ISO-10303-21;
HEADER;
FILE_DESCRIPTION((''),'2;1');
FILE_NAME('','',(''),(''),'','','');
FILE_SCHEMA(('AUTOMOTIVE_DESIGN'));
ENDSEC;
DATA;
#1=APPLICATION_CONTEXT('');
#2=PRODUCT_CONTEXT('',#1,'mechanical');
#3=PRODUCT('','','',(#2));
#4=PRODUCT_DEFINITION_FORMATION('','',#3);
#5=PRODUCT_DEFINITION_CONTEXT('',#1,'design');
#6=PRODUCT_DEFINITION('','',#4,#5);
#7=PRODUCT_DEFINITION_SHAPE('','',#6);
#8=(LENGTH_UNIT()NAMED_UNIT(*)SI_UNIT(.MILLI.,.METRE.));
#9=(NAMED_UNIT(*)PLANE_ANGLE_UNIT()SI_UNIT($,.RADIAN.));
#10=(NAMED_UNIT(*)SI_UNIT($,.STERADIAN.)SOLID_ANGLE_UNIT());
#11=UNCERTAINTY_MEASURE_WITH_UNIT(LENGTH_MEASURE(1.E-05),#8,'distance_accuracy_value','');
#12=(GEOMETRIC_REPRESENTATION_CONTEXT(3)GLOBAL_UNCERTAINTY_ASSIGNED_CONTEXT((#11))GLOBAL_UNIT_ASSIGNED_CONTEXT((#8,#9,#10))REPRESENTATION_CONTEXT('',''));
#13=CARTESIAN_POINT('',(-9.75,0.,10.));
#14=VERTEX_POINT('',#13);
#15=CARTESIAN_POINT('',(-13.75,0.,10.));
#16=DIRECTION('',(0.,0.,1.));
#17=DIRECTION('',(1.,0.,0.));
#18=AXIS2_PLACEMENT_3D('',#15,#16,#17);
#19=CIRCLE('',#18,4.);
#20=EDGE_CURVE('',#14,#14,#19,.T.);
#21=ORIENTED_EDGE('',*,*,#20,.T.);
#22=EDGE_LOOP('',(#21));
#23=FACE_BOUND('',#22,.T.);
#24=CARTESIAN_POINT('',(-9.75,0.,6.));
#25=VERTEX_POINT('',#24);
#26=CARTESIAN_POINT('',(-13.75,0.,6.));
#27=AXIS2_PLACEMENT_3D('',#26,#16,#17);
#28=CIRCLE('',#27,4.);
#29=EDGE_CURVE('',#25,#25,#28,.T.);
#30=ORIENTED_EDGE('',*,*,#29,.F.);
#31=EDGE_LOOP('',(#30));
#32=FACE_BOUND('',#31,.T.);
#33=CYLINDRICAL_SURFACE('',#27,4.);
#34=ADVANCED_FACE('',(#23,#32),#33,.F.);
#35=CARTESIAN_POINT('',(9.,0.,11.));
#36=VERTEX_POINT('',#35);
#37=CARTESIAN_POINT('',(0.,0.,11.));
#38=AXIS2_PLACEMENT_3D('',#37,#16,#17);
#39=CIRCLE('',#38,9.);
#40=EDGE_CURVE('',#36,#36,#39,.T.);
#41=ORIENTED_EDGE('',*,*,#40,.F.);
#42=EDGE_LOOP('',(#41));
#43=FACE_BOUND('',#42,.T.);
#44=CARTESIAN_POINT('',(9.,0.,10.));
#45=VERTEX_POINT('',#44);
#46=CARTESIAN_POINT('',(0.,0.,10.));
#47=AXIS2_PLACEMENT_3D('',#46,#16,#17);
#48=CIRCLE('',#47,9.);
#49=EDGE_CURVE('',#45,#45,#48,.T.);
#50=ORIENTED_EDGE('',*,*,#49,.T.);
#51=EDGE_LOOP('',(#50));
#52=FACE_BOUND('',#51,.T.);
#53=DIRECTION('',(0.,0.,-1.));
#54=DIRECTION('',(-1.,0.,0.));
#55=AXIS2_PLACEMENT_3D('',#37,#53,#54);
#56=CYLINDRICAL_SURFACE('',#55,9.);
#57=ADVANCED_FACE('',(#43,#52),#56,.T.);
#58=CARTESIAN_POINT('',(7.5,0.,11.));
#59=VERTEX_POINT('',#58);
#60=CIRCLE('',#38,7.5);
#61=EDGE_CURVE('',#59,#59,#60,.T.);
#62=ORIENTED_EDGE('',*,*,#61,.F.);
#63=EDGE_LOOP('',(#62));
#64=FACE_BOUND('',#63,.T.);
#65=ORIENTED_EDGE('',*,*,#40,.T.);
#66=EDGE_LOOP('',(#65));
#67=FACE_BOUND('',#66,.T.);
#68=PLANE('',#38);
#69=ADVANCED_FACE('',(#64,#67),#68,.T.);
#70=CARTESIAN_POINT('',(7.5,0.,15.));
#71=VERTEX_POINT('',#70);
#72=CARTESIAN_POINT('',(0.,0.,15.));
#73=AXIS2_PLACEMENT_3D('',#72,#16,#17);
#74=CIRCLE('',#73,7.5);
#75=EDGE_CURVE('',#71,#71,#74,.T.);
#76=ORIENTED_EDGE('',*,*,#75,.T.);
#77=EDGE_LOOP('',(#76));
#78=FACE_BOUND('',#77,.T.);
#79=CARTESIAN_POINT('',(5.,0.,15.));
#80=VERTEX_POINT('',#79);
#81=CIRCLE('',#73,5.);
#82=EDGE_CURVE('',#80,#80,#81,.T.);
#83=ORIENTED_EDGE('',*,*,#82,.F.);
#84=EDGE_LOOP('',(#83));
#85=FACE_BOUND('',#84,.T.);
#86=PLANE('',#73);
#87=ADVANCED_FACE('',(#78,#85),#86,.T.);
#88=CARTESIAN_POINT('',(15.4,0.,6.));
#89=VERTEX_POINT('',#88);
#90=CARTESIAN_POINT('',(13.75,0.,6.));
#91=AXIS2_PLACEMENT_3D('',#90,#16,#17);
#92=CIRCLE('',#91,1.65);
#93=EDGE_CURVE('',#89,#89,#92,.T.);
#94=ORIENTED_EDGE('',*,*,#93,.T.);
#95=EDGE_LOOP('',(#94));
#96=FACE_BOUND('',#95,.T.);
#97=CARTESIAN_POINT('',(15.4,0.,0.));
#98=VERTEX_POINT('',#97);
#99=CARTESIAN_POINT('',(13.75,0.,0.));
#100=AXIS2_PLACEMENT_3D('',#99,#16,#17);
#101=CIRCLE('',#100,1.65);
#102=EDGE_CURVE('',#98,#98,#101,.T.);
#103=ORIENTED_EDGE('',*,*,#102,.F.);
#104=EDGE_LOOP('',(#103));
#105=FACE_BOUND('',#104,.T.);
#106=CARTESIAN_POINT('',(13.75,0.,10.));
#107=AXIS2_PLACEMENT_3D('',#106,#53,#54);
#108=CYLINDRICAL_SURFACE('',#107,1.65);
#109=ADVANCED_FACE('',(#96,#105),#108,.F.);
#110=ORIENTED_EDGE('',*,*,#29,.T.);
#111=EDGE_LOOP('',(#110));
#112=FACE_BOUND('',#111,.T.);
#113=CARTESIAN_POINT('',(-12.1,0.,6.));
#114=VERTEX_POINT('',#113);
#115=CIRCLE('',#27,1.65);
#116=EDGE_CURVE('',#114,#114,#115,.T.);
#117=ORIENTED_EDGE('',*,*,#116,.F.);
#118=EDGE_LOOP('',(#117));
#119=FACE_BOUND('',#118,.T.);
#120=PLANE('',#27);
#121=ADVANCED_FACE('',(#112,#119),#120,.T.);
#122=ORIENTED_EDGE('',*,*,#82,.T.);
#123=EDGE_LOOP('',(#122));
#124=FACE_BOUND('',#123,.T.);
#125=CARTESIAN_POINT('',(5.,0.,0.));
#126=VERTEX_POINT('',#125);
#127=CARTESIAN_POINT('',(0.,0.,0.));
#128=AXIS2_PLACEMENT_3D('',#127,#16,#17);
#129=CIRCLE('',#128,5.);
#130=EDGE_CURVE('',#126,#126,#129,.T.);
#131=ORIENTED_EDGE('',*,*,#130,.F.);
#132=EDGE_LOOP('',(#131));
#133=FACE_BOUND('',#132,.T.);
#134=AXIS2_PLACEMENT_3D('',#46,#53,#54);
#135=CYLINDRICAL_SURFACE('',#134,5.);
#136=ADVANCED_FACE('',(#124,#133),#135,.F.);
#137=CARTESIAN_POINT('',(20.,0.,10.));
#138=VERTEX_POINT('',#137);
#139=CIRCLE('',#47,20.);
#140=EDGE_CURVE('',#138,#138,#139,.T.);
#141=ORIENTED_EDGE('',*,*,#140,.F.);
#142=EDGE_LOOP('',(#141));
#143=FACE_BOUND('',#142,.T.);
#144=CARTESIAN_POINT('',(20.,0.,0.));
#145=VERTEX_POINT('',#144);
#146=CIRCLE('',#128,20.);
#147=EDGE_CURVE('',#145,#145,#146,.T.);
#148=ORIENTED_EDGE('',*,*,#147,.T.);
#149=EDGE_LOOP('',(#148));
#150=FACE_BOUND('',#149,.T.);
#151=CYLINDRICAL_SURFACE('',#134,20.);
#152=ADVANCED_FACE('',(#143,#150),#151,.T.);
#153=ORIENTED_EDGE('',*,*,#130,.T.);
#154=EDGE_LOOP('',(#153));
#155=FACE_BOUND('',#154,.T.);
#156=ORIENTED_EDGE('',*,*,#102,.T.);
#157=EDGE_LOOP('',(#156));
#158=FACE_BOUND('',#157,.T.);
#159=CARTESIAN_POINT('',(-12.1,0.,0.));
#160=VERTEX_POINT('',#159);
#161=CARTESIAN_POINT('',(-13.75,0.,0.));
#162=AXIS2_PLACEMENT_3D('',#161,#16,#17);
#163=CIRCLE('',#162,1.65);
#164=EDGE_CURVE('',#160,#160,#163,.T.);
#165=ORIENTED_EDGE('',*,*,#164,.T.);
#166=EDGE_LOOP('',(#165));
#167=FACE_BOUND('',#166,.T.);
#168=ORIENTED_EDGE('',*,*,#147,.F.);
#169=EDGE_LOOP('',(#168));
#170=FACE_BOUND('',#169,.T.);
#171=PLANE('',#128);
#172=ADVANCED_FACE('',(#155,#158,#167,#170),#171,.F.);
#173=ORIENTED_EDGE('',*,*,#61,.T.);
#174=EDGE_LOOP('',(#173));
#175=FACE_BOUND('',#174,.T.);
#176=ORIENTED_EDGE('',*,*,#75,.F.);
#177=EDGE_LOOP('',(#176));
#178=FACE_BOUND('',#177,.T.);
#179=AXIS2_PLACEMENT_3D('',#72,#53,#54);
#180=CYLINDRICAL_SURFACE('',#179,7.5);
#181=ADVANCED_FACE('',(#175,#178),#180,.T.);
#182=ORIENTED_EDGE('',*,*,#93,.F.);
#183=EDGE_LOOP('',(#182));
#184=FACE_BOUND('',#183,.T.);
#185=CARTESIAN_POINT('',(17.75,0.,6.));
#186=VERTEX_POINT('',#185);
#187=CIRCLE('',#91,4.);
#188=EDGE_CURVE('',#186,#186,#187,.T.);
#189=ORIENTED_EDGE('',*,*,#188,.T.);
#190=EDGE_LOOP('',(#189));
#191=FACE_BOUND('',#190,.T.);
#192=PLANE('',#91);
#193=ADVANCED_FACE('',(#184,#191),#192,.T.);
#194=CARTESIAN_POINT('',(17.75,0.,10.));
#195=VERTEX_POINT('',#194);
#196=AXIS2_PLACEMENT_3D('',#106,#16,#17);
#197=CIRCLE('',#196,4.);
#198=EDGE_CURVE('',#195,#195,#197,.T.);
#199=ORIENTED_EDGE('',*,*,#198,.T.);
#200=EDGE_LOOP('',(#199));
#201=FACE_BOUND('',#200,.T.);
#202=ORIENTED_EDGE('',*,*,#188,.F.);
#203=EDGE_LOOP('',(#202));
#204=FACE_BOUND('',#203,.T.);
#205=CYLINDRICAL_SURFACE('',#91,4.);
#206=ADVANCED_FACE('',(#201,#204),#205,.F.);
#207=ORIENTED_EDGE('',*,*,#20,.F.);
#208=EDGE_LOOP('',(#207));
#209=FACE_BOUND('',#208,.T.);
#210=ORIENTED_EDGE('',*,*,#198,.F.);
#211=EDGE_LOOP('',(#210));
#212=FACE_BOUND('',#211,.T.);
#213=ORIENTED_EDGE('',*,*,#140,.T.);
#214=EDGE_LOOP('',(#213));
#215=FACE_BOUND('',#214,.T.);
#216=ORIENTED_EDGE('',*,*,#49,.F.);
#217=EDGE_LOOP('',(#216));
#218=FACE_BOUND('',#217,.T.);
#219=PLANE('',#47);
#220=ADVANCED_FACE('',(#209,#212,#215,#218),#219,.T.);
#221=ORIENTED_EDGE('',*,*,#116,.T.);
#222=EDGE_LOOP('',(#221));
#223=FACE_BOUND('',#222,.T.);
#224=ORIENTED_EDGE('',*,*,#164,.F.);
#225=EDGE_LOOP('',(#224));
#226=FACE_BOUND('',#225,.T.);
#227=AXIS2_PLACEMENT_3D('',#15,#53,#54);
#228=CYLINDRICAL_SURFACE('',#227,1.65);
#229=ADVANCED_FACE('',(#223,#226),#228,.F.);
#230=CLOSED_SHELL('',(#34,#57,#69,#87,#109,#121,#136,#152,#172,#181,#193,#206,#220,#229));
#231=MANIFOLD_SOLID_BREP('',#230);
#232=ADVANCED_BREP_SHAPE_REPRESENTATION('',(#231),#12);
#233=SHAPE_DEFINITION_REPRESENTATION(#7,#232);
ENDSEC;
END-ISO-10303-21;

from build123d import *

# Parameters (mm, degrees)
SKETCH_1_R          = 20
SKETCH_1_R_2        = 5
SKETCH_1_R_3        = 1.65
EXTRUDE_1_DEPTH     = 10
SKETCH_2_R          = 9
SKETCH_2_R_2        = 5
EXTRUDE_2_DEPTH     = 1
SKETCH_3_R          = 7.5
SKETCH_3_R_2        = 5
EXTRUDE_3_DEPTH     = 4
SKETCH_4_R          = 4
CUT_EXTRUDE_1_DEPTH = 4


with BuildPart() as part:
    # ｽｹｯﾁ1 → ﾎﾞｽ - 押し出し1 (new body)
    with BuildSketch(Plane.XY):
        Circle(SKETCH_1_R)
        Circle(SKETCH_1_R_2, mode=Mode.SUBTRACT)
        with Locations((-13.75, 0)):
            Circle(SKETCH_1_R_3, mode=Mode.SUBTRACT)
        with Locations((13.75, 0)):
            Circle(SKETCH_1_R_3, mode=Mode.SUBTRACT)
    extrude(amount=EXTRUDE_1_DEPTH)

    # ｽｹｯﾁ2 → ﾎﾞｽ - 押し出し2 (add)
    with BuildSketch(Plane.XY.offset(10)):
        Circle(SKETCH_2_R)
        Circle(SKETCH_2_R_2, mode=Mode.SUBTRACT)
    extrude(amount=EXTRUDE_2_DEPTH)

    # ｽｹｯﾁ3 → ﾎﾞｽ - 押し出し3 (add)
    with BuildSketch(Plane.XY.offset(11)):
        Circle(SKETCH_3_R)
        Circle(SKETCH_3_R_2, mode=Mode.SUBTRACT)
    extrude(amount=EXTRUDE_3_DEPTH)

    # ｽｹｯﾁ4 → ｶｯﾄ - 押し出し1 (cut)
    with BuildSketch(Plane.XY.offset(10)):
        with Locations((-13.75, 0)):
            Circle(SKETCH_4_R)
        with Locations((13.75, 0)):
            Circle(SKETCH_4_R)
    extrude(amount=-CUT_EXTRUDE_1_DEPTH, mode=Mode.SUBTRACT)


solid = part.part
